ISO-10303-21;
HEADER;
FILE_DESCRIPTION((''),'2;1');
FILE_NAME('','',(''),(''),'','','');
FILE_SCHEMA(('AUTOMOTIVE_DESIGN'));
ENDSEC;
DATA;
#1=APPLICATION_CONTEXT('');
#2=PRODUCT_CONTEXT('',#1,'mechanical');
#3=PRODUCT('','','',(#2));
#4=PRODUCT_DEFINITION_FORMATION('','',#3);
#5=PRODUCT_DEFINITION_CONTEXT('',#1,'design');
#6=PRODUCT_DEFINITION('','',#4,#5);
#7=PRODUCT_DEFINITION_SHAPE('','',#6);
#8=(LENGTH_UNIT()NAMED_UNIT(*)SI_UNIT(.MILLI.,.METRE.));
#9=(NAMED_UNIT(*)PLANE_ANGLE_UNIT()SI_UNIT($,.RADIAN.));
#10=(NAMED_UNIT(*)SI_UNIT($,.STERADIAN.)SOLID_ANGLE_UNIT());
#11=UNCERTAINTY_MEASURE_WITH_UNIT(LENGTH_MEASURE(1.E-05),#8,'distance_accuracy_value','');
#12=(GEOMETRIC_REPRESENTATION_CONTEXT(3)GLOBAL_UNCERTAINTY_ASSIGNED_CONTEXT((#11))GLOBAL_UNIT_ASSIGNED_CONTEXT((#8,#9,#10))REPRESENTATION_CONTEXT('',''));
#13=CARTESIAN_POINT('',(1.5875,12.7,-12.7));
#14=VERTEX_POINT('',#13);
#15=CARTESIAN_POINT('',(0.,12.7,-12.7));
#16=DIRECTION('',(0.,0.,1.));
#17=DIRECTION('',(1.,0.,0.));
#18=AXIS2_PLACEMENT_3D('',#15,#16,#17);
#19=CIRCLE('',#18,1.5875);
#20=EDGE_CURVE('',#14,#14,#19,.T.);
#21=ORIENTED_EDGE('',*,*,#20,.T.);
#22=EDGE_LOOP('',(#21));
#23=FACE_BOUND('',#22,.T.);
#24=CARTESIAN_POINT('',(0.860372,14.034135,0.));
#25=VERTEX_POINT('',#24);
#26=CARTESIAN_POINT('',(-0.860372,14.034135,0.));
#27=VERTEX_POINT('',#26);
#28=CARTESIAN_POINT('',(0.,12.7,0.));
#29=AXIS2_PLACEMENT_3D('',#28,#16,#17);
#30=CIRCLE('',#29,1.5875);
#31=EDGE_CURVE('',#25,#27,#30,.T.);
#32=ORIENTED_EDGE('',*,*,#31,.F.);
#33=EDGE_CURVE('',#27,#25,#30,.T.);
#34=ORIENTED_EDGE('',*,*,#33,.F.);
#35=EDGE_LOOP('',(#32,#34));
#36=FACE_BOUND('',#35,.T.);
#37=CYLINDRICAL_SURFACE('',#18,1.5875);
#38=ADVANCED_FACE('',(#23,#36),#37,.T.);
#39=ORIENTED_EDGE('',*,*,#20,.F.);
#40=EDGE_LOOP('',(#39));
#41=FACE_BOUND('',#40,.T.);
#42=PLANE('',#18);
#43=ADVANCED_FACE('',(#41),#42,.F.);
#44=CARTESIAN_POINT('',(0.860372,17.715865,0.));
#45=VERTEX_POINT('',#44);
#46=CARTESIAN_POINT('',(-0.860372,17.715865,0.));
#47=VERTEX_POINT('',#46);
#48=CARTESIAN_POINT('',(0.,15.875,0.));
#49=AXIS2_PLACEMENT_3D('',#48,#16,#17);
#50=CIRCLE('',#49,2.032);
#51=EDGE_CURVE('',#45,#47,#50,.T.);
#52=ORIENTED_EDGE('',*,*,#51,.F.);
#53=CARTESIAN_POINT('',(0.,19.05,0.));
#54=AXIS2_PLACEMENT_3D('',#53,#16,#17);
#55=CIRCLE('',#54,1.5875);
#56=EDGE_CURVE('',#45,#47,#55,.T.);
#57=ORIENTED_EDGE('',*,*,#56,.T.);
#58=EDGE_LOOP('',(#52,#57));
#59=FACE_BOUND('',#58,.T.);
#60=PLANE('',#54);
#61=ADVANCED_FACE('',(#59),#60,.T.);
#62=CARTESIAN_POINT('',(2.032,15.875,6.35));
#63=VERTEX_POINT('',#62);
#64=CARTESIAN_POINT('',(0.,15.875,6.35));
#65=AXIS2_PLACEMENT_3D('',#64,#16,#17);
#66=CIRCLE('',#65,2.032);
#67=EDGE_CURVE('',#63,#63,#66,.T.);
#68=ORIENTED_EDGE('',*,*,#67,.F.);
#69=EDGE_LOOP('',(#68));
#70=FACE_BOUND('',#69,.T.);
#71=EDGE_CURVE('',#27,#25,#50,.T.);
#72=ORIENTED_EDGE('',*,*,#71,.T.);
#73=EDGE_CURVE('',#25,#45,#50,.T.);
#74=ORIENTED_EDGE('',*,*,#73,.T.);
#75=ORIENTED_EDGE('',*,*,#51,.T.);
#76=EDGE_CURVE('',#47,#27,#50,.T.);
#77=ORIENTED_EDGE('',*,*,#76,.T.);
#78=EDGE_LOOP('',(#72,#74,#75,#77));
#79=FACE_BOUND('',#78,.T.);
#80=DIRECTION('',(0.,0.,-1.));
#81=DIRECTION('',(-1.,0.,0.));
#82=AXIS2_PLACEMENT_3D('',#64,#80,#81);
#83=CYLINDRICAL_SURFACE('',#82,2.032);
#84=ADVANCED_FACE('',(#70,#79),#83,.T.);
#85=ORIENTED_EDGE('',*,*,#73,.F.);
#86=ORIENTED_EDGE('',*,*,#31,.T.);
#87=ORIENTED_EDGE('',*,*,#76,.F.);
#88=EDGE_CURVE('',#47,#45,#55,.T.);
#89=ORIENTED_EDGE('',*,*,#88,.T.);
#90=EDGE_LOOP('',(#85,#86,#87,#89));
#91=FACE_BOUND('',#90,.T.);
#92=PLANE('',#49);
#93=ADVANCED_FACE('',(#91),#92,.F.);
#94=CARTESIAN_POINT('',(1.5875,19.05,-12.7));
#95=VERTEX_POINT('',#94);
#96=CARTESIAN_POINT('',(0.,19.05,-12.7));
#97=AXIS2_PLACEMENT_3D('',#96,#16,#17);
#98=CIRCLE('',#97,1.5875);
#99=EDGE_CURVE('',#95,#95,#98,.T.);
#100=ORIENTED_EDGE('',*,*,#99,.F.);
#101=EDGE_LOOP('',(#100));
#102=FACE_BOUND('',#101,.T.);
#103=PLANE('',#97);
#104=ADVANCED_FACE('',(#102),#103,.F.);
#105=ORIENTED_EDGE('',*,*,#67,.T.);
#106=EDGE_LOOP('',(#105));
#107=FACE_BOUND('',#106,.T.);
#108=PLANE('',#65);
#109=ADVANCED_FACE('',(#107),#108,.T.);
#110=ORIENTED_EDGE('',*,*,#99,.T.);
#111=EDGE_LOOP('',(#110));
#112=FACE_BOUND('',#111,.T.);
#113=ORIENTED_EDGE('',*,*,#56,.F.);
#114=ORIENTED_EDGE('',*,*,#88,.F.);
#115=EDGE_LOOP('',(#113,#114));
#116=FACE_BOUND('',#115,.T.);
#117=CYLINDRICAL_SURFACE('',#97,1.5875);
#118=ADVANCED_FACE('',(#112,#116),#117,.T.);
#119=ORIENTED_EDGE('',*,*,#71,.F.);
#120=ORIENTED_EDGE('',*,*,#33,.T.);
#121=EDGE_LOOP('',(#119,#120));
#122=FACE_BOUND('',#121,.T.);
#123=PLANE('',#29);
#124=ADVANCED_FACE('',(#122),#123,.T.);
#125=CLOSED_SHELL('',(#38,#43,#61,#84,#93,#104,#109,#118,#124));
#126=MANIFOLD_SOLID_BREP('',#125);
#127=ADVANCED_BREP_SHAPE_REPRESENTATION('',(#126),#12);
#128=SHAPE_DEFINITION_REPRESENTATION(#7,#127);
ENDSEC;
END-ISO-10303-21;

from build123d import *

# Parameters (mm, degrees)
SKETCH1_R             = 1.5875
BOSS_EXTRUDE1_DEPTH   = 12.7
BOSS_EXTRUDE1_2_DEPTH = 12.7
SKETCH2_R             = 2.032
BOSS_EXTRUDE2_DEPTH   = 6.35


with BuildPart() as part:
    # Sketch1 → Boss-Extrude1 (new body)
    with BuildSketch(Plane.XY):
        with Locations((0, 12.7)):
            Circle(SKETCH1_R)
    extrude(amount=-BOSS_EXTRUDE1_DEPTH)



with BuildPart() as body_2:
    # Sketch1 → Boss-Extrude1 2 (new body)
    with BuildSketch(Plane.XY):
        with Locations((0, 19.05)):
            Circle(SKETCH1_R)
    extrude(amount=-BOSS_EXTRUDE1_2_DEPTH)


with BuildPart() as part_1:
    add(part.part)

    add(body_2.part)  # Boss-Extrude2 merges body 2
    # Sketch2 → Boss-Extrude2 (add)
    with BuildSketch(Plane.XY):
        with Locations(Location((0, 15.875, 0), (0, 0, 115.050153991))):
            Circle(SKETCH2_R)
    extrude(amount=BOSS_EXTRUDE2_DEPTH)


solid = part_1.part
